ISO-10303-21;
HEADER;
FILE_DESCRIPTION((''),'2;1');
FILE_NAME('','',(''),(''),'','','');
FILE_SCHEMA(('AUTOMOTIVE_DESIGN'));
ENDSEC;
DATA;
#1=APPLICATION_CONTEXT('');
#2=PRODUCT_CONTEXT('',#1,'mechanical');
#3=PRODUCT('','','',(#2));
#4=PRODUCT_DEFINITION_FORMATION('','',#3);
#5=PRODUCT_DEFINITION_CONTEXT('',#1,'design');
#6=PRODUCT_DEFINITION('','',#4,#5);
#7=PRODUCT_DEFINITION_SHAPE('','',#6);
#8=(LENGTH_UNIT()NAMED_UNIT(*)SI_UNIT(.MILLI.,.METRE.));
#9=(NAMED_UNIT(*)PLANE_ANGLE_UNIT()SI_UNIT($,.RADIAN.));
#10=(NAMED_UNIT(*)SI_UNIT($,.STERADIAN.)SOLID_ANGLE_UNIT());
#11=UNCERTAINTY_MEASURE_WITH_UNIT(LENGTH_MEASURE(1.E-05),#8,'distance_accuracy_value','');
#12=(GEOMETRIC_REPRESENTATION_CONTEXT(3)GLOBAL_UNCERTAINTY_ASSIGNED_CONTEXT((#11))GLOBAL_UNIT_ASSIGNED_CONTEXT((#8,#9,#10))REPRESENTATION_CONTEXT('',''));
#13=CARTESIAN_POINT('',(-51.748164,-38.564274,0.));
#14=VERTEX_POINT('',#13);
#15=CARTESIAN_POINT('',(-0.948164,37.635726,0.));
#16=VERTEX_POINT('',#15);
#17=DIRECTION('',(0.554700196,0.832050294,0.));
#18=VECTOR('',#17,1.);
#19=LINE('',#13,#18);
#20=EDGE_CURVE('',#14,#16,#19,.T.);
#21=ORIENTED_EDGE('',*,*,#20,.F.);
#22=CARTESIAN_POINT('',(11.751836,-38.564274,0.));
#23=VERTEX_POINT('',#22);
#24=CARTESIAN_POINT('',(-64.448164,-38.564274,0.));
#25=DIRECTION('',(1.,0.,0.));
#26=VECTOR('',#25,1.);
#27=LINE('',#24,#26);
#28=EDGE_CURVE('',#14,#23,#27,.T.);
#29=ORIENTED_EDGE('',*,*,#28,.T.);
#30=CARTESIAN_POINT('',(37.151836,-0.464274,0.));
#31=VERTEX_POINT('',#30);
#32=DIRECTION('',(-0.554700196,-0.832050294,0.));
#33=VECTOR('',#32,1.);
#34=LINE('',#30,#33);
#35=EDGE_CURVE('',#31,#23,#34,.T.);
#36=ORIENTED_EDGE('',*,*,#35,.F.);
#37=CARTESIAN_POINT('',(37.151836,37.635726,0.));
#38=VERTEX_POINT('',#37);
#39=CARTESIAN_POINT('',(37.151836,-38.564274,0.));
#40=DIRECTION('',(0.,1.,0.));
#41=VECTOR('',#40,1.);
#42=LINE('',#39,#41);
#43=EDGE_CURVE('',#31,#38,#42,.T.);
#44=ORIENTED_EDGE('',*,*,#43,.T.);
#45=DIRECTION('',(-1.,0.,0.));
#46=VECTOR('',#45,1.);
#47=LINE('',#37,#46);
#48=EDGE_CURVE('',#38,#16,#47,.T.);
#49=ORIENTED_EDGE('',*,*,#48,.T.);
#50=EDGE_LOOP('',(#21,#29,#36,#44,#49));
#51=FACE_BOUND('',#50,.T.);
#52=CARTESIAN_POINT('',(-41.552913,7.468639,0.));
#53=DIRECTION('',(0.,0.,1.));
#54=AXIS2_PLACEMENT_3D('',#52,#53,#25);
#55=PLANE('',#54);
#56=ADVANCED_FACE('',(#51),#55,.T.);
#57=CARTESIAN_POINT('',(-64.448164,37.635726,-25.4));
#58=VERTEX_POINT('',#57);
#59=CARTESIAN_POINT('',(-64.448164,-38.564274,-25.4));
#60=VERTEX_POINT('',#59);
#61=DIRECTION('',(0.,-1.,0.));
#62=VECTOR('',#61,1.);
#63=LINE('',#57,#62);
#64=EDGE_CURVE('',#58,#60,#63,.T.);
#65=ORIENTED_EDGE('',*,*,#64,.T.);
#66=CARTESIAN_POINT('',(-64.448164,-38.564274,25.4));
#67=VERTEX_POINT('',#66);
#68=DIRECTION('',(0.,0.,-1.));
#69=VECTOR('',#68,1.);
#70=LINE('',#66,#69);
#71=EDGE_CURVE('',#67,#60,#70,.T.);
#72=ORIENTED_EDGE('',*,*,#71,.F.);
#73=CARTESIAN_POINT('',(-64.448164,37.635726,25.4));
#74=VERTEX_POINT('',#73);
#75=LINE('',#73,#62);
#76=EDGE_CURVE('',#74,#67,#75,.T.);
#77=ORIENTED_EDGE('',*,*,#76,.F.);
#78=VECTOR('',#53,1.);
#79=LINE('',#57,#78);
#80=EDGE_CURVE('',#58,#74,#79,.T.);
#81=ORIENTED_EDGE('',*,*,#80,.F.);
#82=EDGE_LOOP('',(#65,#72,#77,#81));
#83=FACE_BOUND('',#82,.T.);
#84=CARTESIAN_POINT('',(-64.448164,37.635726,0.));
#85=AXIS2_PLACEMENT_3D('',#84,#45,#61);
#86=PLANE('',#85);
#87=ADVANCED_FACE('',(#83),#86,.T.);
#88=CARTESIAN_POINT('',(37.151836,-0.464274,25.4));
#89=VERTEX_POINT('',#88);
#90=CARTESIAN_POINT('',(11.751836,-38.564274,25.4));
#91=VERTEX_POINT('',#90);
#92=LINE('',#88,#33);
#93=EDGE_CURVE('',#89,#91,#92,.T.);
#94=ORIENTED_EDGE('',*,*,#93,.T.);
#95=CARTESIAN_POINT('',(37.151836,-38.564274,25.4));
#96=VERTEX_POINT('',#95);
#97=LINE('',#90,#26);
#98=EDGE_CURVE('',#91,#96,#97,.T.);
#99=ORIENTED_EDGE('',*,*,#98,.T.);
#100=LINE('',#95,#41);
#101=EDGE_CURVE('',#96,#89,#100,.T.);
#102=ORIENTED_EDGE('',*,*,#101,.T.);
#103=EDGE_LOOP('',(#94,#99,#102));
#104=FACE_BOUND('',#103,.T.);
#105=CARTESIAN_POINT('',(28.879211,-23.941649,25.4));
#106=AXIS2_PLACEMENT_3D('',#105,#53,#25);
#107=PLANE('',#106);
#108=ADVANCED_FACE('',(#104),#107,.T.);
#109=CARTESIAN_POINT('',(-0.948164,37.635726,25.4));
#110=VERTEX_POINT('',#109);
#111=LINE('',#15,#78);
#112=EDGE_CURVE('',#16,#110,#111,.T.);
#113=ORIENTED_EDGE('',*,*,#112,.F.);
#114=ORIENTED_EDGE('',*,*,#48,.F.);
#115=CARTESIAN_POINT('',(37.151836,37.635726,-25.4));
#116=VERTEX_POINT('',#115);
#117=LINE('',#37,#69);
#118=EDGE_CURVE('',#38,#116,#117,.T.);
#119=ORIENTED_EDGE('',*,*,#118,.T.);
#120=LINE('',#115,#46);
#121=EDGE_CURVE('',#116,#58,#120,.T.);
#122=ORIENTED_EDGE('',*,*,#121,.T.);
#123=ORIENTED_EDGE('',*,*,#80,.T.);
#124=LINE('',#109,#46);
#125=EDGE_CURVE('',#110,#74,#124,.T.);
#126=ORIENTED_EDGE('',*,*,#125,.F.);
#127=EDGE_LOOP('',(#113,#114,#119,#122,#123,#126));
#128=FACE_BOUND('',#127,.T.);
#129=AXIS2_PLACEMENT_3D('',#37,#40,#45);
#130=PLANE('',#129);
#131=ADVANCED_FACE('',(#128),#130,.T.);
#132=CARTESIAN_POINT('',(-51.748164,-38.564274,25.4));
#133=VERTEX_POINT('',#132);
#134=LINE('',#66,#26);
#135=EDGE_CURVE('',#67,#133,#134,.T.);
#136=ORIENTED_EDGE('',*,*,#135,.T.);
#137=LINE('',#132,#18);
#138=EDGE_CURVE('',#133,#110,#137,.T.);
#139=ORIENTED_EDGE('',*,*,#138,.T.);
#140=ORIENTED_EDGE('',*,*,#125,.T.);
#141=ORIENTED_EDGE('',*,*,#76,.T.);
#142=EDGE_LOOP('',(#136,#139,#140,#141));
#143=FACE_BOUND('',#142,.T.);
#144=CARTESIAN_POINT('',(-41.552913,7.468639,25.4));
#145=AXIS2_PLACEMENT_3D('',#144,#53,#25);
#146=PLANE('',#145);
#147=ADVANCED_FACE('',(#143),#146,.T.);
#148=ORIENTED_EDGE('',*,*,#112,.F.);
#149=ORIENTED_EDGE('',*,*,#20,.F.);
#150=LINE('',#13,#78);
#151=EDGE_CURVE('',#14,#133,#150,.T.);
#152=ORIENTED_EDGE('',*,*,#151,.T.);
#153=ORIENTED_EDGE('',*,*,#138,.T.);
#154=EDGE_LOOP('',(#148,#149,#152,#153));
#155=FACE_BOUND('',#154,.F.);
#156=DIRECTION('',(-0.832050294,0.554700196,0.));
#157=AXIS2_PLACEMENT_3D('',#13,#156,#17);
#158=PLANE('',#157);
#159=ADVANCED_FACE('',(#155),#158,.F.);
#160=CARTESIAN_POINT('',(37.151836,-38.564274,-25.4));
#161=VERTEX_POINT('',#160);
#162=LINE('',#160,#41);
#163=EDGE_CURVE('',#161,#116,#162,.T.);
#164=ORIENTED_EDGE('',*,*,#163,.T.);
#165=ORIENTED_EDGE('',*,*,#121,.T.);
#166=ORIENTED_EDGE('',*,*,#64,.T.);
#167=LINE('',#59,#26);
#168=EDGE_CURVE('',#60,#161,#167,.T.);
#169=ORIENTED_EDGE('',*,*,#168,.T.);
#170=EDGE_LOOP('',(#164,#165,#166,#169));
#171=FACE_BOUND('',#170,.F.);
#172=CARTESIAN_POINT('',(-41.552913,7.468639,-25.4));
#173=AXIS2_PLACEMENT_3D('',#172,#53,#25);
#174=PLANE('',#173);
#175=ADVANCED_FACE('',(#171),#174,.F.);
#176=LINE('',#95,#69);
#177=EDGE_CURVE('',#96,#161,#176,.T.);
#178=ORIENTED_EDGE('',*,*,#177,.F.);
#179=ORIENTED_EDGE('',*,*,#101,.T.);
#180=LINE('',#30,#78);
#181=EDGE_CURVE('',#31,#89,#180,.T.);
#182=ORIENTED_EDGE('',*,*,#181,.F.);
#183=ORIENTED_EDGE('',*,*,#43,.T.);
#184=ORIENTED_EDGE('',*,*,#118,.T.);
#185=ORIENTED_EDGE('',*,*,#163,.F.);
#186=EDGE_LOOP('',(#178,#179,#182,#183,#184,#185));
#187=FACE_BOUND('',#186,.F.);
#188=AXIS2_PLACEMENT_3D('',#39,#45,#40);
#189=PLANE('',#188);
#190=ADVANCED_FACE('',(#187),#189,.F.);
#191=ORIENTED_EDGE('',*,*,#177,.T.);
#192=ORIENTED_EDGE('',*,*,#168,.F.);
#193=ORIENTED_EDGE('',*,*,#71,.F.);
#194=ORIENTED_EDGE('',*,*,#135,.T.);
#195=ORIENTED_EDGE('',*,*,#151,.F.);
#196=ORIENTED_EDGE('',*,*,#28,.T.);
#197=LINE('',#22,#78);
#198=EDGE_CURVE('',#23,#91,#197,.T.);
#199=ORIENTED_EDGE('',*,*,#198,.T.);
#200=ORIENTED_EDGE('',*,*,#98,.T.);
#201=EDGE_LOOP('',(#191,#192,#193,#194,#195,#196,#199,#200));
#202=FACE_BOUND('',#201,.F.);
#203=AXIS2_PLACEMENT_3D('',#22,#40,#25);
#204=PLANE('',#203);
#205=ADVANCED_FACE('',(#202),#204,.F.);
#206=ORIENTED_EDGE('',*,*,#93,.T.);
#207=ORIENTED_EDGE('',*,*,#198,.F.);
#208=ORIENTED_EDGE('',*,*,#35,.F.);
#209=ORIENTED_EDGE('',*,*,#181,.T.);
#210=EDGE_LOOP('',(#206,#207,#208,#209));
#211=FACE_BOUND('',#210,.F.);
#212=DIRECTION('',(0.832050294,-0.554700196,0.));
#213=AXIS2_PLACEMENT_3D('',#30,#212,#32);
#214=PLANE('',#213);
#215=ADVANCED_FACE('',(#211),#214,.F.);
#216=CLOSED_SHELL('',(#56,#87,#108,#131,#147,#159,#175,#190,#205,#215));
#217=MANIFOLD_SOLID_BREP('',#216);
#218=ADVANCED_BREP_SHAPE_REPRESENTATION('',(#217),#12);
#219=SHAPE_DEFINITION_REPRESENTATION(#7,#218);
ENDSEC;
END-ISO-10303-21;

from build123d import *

# Parameters (mm, degrees)
F1_DEPTH = 25.4
F2_DEPTH = 25.4


with BuildPart() as f1:
    # F0 (on Top) → F1 (new body)
    with BuildSketch(Plane.XY):
        Polygon((-0.948164, 37.635726), (-64.448164, 37.635726), (-64.448164, -38.564274), (-51.748164, -38.564274), align=None)
        Polygon((37.151836, -0.464274), (11.751836, -38.564274), (37.151836, -38.564274), align=None)
        Polygon((37.151836, 37.635726), (-0.948164, 37.635726), (-51.748164, -38.564274), (11.751836, -38.564274), (37.151836, -0.464274), align=None)
    extrude(amount=-F1_DEPTH)

    # F0 (on Top) → F2 (join)
    with BuildSketch(Plane.XY):
        Polygon((37.151836, -0.464274), (11.751836, -38.564274), (37.151836, -38.564274), align=None)
        Polygon((-0.948164, 37.635726), (-64.448164, 37.635726), (-64.448164, -38.564274), (-51.748164, -38.564274), align=None)
    extrude(amount=F2_DEPTH)


solid = f1.part
